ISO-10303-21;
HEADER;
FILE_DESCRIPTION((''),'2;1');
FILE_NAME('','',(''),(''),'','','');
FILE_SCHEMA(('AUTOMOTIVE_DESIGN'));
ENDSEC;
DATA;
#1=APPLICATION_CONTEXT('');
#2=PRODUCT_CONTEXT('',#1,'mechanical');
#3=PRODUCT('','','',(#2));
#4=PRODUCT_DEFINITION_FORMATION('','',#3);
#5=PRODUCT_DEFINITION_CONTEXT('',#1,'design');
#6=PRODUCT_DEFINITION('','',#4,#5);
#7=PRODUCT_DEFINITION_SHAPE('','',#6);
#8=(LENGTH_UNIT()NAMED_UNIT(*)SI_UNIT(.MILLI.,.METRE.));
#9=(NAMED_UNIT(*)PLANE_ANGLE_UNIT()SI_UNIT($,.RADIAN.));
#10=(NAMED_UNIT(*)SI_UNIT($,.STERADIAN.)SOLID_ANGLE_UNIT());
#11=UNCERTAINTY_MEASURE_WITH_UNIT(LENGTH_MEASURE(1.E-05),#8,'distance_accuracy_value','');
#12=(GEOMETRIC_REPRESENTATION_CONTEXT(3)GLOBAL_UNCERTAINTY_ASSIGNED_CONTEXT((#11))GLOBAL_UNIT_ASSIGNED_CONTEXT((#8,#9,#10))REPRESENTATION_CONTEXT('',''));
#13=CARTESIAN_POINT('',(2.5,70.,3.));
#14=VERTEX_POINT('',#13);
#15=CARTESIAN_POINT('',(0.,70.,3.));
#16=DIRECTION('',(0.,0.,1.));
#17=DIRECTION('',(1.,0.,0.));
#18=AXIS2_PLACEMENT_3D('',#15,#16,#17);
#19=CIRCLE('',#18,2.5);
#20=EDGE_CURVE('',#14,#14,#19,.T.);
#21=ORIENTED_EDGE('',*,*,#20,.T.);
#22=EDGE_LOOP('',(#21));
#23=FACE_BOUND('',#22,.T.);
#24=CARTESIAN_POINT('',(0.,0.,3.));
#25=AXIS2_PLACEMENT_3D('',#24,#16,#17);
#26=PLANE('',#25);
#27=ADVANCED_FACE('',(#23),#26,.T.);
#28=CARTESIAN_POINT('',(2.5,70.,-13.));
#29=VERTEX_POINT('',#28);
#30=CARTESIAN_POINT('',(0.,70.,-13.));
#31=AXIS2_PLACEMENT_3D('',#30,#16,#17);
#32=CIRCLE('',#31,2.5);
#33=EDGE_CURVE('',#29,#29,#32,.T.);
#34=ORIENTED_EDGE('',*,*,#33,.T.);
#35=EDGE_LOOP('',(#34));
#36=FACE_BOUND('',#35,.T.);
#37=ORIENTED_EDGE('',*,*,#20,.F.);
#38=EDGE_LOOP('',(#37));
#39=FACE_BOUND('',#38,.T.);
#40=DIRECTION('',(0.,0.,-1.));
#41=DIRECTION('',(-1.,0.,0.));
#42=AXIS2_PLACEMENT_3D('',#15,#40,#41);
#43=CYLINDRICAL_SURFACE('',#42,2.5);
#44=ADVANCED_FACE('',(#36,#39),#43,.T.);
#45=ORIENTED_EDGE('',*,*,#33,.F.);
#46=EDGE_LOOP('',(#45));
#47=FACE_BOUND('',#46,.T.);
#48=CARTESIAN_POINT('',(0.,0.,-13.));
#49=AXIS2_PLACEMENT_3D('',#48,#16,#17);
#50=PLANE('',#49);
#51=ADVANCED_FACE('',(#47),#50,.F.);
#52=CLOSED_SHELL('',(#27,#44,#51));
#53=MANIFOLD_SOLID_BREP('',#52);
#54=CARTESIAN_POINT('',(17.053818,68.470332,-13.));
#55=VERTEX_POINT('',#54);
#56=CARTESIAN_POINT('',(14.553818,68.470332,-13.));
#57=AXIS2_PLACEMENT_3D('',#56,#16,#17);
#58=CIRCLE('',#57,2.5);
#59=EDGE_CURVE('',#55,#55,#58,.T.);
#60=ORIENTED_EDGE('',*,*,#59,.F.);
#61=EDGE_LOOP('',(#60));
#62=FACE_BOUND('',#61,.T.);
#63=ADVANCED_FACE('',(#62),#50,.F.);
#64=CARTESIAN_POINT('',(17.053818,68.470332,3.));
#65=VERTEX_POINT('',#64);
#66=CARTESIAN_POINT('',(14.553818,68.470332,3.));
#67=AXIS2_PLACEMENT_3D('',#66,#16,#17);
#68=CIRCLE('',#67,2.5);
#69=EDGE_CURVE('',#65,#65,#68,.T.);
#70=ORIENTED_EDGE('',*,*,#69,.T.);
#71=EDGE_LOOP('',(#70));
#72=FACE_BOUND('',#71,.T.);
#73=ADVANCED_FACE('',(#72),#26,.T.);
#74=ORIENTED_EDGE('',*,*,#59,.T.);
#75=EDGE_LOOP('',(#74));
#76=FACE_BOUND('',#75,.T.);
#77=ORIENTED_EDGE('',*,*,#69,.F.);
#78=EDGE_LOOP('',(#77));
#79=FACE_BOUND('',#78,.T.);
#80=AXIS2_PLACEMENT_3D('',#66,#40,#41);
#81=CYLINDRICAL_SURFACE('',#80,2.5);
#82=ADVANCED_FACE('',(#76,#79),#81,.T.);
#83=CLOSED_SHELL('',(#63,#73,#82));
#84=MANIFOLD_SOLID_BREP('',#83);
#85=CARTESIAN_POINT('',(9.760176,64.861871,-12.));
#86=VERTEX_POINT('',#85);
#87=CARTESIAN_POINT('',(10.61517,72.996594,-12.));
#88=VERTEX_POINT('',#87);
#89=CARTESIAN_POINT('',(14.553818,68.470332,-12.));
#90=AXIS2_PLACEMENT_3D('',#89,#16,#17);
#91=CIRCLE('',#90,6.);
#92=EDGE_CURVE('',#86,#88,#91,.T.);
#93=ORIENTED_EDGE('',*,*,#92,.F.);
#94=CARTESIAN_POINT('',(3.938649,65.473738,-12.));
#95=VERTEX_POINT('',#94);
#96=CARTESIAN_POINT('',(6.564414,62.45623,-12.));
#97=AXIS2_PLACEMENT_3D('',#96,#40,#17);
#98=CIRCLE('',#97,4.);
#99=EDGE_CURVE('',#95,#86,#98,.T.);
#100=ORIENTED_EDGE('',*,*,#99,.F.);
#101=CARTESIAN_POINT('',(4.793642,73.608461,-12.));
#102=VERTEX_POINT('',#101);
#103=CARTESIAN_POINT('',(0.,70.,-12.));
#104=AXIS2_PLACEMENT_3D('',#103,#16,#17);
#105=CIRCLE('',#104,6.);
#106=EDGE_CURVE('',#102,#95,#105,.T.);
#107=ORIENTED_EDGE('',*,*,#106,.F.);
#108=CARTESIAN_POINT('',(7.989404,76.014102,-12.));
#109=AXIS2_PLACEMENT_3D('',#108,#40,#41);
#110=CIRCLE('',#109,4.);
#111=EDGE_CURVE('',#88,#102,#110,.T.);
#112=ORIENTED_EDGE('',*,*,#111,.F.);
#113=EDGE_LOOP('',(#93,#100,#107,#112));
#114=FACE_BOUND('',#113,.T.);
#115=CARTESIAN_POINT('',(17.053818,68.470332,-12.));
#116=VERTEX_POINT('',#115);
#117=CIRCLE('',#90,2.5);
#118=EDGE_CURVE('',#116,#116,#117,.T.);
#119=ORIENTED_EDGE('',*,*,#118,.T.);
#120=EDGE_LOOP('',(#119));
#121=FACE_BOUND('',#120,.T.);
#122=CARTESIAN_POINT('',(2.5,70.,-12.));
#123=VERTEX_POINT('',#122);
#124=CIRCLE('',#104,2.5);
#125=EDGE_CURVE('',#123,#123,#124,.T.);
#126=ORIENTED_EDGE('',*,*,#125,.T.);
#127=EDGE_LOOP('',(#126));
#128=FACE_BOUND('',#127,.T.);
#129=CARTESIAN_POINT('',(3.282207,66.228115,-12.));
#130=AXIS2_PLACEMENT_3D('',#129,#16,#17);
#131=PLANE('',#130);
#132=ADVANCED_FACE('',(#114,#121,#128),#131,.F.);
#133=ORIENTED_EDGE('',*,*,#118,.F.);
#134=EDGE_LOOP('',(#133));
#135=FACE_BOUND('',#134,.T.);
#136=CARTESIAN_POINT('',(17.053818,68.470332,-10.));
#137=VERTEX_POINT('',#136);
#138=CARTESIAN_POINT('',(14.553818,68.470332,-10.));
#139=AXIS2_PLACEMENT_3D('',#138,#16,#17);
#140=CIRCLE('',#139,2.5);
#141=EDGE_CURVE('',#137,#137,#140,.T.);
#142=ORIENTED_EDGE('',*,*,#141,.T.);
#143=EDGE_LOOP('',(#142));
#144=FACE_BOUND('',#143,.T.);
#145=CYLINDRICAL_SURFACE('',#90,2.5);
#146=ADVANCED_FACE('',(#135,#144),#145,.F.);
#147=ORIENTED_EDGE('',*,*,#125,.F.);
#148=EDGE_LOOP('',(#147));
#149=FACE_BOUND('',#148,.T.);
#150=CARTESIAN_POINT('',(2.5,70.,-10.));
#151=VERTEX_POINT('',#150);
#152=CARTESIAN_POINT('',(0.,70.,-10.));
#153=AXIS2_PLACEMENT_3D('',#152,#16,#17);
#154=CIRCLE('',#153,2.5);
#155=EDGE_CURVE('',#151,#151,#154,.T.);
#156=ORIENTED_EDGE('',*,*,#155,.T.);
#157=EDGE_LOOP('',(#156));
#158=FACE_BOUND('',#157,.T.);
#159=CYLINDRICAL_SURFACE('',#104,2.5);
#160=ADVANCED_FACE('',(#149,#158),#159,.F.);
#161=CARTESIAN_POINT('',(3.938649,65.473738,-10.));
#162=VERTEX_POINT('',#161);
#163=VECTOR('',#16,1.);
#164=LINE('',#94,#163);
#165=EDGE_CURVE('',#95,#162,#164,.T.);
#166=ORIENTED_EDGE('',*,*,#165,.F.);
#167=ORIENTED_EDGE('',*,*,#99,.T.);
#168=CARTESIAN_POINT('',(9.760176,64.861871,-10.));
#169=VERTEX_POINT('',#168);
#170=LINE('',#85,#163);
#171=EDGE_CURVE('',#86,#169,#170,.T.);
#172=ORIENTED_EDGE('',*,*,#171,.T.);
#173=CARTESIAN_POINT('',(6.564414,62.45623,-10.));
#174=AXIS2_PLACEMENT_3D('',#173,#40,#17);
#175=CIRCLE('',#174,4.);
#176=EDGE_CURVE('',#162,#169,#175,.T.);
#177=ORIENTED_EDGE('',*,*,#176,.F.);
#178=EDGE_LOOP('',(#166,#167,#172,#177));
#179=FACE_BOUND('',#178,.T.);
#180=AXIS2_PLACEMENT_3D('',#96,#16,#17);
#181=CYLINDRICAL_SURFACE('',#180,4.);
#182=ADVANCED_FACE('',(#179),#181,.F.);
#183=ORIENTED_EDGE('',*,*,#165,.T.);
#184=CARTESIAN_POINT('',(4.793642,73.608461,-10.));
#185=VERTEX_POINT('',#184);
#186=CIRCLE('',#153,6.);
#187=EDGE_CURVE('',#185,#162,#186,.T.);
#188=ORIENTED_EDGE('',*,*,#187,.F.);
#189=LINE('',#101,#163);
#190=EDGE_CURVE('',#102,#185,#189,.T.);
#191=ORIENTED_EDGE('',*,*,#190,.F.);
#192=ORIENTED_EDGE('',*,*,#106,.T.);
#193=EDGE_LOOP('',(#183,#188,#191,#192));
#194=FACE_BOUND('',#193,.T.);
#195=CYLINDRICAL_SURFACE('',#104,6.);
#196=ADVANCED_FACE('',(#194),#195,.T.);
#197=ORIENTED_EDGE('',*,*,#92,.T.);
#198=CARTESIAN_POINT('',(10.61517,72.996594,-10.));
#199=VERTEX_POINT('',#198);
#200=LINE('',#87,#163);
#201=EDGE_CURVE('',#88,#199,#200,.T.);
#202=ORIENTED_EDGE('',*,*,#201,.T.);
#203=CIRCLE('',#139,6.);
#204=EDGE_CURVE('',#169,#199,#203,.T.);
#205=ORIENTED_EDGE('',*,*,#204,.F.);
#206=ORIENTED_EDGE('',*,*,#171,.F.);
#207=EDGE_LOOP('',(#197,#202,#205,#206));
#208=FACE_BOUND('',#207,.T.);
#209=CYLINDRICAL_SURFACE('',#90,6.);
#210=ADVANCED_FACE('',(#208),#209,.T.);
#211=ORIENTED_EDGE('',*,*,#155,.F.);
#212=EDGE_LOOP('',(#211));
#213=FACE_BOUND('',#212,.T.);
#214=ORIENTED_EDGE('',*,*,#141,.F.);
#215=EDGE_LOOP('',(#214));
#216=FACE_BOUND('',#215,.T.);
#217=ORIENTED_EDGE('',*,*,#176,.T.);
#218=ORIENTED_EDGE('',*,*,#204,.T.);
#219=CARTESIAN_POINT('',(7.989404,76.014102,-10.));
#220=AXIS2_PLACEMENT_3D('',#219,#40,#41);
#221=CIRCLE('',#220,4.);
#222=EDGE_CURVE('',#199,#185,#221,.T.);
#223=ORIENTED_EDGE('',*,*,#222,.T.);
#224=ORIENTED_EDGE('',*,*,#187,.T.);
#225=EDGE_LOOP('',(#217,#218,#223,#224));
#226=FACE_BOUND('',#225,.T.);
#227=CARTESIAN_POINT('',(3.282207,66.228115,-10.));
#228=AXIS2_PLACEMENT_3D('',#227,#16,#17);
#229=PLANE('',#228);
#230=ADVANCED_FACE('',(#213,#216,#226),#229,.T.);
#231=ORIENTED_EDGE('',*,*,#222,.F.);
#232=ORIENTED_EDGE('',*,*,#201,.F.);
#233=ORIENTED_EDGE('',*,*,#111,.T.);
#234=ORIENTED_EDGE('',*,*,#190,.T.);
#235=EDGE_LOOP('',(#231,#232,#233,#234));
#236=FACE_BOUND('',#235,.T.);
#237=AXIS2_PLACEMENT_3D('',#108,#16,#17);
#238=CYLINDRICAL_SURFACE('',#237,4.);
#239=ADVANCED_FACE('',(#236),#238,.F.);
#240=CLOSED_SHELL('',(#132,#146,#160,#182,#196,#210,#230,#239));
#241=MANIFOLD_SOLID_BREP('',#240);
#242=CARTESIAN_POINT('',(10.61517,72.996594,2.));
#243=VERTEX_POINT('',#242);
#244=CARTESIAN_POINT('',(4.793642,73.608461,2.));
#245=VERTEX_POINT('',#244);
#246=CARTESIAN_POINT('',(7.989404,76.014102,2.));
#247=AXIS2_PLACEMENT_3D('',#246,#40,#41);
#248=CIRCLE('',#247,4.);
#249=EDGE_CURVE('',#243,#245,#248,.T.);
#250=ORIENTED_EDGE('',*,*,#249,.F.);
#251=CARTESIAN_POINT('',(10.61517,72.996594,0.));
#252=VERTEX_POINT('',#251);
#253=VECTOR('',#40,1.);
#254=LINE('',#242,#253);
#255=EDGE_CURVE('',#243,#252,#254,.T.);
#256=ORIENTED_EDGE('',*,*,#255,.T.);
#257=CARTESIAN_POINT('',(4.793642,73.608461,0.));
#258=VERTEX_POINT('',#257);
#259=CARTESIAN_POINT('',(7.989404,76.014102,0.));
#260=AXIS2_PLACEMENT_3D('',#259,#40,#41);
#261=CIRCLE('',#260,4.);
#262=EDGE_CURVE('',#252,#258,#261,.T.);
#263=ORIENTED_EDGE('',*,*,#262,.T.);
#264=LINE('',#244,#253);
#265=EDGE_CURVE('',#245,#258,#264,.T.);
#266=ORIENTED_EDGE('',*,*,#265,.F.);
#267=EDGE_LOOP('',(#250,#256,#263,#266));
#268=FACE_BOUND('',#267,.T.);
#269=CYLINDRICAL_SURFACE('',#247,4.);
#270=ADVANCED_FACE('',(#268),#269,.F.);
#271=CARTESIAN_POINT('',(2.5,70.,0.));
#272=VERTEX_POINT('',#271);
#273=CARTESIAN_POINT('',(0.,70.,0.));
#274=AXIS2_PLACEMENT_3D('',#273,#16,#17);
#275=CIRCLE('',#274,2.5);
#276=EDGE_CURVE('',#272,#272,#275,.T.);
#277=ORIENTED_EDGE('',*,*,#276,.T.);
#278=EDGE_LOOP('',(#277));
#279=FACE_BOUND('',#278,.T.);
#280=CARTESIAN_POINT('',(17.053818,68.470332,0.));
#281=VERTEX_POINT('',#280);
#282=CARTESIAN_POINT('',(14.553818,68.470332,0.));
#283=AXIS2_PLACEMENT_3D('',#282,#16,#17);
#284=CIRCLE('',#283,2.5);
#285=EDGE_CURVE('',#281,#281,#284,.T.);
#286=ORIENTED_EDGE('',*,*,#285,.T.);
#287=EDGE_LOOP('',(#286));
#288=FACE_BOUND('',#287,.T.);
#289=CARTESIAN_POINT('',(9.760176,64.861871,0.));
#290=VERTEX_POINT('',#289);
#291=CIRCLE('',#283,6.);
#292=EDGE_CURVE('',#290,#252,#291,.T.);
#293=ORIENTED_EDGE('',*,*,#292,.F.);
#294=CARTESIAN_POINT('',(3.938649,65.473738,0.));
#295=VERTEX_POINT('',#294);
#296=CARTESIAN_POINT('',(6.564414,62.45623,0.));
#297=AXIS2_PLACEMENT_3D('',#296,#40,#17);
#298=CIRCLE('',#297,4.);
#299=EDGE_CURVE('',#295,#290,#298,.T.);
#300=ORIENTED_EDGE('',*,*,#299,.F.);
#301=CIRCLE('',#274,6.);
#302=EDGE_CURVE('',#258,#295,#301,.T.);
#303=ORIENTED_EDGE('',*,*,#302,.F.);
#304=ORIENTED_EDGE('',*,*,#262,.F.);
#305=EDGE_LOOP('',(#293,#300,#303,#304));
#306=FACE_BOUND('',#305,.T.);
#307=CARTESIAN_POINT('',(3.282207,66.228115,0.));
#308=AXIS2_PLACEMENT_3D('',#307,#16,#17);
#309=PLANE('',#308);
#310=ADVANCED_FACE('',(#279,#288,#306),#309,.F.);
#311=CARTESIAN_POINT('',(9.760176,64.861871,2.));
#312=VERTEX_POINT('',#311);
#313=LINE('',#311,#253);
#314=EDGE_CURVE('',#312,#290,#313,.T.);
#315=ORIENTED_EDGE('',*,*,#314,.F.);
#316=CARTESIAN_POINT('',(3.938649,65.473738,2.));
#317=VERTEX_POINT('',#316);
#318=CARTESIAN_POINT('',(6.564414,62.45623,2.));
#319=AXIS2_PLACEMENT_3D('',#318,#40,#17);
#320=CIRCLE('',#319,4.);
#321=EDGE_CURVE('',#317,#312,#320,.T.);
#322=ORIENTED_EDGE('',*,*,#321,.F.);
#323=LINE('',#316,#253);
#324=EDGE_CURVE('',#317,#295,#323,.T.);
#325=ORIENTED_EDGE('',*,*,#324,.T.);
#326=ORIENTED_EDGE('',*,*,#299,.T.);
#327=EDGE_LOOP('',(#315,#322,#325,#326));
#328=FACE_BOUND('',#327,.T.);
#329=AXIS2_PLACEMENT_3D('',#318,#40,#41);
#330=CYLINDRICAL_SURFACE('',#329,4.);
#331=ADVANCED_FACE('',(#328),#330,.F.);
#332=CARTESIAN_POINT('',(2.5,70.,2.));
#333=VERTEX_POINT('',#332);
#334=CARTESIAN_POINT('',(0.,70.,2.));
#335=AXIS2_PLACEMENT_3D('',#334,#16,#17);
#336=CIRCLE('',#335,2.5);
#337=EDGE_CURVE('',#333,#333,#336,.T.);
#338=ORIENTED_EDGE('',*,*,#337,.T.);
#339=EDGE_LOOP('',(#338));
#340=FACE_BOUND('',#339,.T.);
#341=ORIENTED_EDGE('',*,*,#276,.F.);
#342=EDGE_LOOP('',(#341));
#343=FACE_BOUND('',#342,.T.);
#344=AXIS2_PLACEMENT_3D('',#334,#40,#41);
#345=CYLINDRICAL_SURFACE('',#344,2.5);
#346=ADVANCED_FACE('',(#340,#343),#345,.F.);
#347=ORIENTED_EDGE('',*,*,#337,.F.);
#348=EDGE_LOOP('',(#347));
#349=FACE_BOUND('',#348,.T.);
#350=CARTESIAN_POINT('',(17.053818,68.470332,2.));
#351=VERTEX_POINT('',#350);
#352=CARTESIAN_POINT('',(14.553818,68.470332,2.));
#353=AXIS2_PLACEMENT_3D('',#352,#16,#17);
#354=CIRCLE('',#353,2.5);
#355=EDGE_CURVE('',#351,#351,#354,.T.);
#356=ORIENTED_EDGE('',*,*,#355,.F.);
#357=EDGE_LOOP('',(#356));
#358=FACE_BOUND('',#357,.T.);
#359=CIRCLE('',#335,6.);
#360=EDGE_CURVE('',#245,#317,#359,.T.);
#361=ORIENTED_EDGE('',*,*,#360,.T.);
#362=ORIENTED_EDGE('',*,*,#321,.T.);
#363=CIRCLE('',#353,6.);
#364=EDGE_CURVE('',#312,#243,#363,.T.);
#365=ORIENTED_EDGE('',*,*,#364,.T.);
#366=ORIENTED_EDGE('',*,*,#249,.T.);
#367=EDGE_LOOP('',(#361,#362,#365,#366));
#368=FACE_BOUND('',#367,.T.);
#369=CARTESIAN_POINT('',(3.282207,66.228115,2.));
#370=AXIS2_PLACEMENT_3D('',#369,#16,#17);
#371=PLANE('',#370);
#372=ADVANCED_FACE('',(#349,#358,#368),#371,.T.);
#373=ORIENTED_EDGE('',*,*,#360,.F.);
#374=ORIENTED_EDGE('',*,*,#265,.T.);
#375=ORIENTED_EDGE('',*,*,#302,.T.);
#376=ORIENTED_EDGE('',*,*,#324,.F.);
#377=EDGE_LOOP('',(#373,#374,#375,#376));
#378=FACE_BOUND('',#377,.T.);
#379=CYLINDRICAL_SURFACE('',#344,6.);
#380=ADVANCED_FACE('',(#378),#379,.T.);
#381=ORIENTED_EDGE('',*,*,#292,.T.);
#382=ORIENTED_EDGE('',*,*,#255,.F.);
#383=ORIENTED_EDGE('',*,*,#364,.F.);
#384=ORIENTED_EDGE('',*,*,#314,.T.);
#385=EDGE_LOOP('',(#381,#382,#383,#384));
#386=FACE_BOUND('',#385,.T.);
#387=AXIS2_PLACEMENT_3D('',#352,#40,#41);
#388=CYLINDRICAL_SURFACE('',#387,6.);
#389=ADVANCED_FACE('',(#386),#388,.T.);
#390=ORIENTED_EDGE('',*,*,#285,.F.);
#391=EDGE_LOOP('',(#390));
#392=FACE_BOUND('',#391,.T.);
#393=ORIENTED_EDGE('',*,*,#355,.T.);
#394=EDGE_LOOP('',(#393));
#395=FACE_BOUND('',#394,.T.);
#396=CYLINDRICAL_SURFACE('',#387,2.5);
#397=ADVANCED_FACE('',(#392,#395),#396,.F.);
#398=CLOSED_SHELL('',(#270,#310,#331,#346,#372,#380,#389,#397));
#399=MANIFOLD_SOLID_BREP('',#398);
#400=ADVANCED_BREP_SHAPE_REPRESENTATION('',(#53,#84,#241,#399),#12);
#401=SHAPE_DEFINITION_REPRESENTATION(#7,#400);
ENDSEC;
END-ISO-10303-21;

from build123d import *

# Parameters (mm, degrees)
IZIM1_R                       = 2.5
Y_KSEKLIK_EKSTR_ZYON1_DEPTH   = 2
Y_KSEKLIK_EKSTR_ZYON2_START   = -10
IZIM1_2_R                     = 2.5
Y_KSEKLIK_EKSTR_ZYON2_DEPTH   = 2
Y_KSEKLIK_EKSTR_ZYON3_START   = -5
IZIM1_6_R                     = 2.5
Y_KSEKLIK_EKSTR_ZYON3_DEPTH   = 8
Y_KSEKLIK_EKSTR_ZYON3_2_DEPTH = 8


with BuildPart() as part:
    # Çizim1 → Yükseklik-Ekstrüzyon1 (new body)
    with BuildSketch(Plane.XY):
        with BuildLine():
            ThreePointArc((9.760175922, 64.861870856), (20.520949729, 67.843161272), (10.615169778, 72.996594016))
            ThreePointArc((10.615169778, 72.996594016), (7.571290206, 72.036014411), (4.793642436, 73.608461196))
            ThreePointArc((4.793642436, 73.608461196), (-5.967131372, 70.62717078), (3.938648579, 65.473738035))
            ThreePointArc((3.938648579, 65.473738035), (6.982528151, 66.43431764), (9.760175922, 64.861870856))
        make_face()
        with Locations((0, 70)):
            Circle(IZIM1_R, mode=Mode.SUBTRACT)
        with Locations((14.553818357, 68.470332051)):
            Circle(IZIM1_R, mode=Mode.SUBTRACT)
    extrude(amount=Y_KSEKLIK_EKSTR_ZYON1_DEPTH)


with BuildPart() as body_2:
    # Çizim1<2> → Yükseklik-Ekstrüzyon2 (new body)
    with BuildSketch(Plane.XY.offset(Y_KSEKLIK_EKSTR_ZYON2_START)):
        with BuildLine():
            ThreePointArc((9.760175922, 64.861870856), (20.520949729, 67.843161272), (10.615169778, 72.996594016))
            ThreePointArc((10.615169778, 72.996594016), (7.571290206, 72.036014411), (4.793642436, 73.608461196))
            ThreePointArc((4.793642436, 73.608461196), (-5.967131372, 70.62717078), (3.938648579, 65.473738035))
            ThreePointArc((3.938648579, 65.473738035), (6.982528151, 66.43431764), (9.760175922, 64.861870856))
        make_face()
        with Locations((0, 70)):
            Circle(IZIM1_2_R, mode=Mode.SUBTRACT)
        with Locations((14.553818357, 68.470332051)):
            Circle(IZIM1_2_R, mode=Mode.SUBTRACT)
    extrude(amount=-Y_KSEKLIK_EKSTR_ZYON2_DEPTH)


with BuildPart() as body_3:
    # Çizim1<6> → Yükseklik-Ekstrüzyon3 (new, symmetric)
    with BuildSketch(Plane.XY.offset(Y_KSEKLIK_EKSTR_ZYON3_START)):
        with Locations((0, 70)):
            Circle(IZIM1_6_R)
    extrude(amount=Y_KSEKLIK_EKSTR_ZYON3_DEPTH, both=True)


with BuildPart() as body_4:
    # Çizim1<6> → Y_kseklik-Ekstr_zyon3 2 (new, symmetric)
    with BuildSketch(Plane.XY.offset(Y_KSEKLIK_EKSTR_ZYON3_START)):
        with Locations((14.553818357, 68.470332051)):
            Circle(IZIM1_6_R)
    extrude(amount=Y_KSEKLIK_EKSTR_ZYON3_2_DEPTH, both=True)


solid = Compound([part.part, body_2.part, body_3.part, body_4.part])
